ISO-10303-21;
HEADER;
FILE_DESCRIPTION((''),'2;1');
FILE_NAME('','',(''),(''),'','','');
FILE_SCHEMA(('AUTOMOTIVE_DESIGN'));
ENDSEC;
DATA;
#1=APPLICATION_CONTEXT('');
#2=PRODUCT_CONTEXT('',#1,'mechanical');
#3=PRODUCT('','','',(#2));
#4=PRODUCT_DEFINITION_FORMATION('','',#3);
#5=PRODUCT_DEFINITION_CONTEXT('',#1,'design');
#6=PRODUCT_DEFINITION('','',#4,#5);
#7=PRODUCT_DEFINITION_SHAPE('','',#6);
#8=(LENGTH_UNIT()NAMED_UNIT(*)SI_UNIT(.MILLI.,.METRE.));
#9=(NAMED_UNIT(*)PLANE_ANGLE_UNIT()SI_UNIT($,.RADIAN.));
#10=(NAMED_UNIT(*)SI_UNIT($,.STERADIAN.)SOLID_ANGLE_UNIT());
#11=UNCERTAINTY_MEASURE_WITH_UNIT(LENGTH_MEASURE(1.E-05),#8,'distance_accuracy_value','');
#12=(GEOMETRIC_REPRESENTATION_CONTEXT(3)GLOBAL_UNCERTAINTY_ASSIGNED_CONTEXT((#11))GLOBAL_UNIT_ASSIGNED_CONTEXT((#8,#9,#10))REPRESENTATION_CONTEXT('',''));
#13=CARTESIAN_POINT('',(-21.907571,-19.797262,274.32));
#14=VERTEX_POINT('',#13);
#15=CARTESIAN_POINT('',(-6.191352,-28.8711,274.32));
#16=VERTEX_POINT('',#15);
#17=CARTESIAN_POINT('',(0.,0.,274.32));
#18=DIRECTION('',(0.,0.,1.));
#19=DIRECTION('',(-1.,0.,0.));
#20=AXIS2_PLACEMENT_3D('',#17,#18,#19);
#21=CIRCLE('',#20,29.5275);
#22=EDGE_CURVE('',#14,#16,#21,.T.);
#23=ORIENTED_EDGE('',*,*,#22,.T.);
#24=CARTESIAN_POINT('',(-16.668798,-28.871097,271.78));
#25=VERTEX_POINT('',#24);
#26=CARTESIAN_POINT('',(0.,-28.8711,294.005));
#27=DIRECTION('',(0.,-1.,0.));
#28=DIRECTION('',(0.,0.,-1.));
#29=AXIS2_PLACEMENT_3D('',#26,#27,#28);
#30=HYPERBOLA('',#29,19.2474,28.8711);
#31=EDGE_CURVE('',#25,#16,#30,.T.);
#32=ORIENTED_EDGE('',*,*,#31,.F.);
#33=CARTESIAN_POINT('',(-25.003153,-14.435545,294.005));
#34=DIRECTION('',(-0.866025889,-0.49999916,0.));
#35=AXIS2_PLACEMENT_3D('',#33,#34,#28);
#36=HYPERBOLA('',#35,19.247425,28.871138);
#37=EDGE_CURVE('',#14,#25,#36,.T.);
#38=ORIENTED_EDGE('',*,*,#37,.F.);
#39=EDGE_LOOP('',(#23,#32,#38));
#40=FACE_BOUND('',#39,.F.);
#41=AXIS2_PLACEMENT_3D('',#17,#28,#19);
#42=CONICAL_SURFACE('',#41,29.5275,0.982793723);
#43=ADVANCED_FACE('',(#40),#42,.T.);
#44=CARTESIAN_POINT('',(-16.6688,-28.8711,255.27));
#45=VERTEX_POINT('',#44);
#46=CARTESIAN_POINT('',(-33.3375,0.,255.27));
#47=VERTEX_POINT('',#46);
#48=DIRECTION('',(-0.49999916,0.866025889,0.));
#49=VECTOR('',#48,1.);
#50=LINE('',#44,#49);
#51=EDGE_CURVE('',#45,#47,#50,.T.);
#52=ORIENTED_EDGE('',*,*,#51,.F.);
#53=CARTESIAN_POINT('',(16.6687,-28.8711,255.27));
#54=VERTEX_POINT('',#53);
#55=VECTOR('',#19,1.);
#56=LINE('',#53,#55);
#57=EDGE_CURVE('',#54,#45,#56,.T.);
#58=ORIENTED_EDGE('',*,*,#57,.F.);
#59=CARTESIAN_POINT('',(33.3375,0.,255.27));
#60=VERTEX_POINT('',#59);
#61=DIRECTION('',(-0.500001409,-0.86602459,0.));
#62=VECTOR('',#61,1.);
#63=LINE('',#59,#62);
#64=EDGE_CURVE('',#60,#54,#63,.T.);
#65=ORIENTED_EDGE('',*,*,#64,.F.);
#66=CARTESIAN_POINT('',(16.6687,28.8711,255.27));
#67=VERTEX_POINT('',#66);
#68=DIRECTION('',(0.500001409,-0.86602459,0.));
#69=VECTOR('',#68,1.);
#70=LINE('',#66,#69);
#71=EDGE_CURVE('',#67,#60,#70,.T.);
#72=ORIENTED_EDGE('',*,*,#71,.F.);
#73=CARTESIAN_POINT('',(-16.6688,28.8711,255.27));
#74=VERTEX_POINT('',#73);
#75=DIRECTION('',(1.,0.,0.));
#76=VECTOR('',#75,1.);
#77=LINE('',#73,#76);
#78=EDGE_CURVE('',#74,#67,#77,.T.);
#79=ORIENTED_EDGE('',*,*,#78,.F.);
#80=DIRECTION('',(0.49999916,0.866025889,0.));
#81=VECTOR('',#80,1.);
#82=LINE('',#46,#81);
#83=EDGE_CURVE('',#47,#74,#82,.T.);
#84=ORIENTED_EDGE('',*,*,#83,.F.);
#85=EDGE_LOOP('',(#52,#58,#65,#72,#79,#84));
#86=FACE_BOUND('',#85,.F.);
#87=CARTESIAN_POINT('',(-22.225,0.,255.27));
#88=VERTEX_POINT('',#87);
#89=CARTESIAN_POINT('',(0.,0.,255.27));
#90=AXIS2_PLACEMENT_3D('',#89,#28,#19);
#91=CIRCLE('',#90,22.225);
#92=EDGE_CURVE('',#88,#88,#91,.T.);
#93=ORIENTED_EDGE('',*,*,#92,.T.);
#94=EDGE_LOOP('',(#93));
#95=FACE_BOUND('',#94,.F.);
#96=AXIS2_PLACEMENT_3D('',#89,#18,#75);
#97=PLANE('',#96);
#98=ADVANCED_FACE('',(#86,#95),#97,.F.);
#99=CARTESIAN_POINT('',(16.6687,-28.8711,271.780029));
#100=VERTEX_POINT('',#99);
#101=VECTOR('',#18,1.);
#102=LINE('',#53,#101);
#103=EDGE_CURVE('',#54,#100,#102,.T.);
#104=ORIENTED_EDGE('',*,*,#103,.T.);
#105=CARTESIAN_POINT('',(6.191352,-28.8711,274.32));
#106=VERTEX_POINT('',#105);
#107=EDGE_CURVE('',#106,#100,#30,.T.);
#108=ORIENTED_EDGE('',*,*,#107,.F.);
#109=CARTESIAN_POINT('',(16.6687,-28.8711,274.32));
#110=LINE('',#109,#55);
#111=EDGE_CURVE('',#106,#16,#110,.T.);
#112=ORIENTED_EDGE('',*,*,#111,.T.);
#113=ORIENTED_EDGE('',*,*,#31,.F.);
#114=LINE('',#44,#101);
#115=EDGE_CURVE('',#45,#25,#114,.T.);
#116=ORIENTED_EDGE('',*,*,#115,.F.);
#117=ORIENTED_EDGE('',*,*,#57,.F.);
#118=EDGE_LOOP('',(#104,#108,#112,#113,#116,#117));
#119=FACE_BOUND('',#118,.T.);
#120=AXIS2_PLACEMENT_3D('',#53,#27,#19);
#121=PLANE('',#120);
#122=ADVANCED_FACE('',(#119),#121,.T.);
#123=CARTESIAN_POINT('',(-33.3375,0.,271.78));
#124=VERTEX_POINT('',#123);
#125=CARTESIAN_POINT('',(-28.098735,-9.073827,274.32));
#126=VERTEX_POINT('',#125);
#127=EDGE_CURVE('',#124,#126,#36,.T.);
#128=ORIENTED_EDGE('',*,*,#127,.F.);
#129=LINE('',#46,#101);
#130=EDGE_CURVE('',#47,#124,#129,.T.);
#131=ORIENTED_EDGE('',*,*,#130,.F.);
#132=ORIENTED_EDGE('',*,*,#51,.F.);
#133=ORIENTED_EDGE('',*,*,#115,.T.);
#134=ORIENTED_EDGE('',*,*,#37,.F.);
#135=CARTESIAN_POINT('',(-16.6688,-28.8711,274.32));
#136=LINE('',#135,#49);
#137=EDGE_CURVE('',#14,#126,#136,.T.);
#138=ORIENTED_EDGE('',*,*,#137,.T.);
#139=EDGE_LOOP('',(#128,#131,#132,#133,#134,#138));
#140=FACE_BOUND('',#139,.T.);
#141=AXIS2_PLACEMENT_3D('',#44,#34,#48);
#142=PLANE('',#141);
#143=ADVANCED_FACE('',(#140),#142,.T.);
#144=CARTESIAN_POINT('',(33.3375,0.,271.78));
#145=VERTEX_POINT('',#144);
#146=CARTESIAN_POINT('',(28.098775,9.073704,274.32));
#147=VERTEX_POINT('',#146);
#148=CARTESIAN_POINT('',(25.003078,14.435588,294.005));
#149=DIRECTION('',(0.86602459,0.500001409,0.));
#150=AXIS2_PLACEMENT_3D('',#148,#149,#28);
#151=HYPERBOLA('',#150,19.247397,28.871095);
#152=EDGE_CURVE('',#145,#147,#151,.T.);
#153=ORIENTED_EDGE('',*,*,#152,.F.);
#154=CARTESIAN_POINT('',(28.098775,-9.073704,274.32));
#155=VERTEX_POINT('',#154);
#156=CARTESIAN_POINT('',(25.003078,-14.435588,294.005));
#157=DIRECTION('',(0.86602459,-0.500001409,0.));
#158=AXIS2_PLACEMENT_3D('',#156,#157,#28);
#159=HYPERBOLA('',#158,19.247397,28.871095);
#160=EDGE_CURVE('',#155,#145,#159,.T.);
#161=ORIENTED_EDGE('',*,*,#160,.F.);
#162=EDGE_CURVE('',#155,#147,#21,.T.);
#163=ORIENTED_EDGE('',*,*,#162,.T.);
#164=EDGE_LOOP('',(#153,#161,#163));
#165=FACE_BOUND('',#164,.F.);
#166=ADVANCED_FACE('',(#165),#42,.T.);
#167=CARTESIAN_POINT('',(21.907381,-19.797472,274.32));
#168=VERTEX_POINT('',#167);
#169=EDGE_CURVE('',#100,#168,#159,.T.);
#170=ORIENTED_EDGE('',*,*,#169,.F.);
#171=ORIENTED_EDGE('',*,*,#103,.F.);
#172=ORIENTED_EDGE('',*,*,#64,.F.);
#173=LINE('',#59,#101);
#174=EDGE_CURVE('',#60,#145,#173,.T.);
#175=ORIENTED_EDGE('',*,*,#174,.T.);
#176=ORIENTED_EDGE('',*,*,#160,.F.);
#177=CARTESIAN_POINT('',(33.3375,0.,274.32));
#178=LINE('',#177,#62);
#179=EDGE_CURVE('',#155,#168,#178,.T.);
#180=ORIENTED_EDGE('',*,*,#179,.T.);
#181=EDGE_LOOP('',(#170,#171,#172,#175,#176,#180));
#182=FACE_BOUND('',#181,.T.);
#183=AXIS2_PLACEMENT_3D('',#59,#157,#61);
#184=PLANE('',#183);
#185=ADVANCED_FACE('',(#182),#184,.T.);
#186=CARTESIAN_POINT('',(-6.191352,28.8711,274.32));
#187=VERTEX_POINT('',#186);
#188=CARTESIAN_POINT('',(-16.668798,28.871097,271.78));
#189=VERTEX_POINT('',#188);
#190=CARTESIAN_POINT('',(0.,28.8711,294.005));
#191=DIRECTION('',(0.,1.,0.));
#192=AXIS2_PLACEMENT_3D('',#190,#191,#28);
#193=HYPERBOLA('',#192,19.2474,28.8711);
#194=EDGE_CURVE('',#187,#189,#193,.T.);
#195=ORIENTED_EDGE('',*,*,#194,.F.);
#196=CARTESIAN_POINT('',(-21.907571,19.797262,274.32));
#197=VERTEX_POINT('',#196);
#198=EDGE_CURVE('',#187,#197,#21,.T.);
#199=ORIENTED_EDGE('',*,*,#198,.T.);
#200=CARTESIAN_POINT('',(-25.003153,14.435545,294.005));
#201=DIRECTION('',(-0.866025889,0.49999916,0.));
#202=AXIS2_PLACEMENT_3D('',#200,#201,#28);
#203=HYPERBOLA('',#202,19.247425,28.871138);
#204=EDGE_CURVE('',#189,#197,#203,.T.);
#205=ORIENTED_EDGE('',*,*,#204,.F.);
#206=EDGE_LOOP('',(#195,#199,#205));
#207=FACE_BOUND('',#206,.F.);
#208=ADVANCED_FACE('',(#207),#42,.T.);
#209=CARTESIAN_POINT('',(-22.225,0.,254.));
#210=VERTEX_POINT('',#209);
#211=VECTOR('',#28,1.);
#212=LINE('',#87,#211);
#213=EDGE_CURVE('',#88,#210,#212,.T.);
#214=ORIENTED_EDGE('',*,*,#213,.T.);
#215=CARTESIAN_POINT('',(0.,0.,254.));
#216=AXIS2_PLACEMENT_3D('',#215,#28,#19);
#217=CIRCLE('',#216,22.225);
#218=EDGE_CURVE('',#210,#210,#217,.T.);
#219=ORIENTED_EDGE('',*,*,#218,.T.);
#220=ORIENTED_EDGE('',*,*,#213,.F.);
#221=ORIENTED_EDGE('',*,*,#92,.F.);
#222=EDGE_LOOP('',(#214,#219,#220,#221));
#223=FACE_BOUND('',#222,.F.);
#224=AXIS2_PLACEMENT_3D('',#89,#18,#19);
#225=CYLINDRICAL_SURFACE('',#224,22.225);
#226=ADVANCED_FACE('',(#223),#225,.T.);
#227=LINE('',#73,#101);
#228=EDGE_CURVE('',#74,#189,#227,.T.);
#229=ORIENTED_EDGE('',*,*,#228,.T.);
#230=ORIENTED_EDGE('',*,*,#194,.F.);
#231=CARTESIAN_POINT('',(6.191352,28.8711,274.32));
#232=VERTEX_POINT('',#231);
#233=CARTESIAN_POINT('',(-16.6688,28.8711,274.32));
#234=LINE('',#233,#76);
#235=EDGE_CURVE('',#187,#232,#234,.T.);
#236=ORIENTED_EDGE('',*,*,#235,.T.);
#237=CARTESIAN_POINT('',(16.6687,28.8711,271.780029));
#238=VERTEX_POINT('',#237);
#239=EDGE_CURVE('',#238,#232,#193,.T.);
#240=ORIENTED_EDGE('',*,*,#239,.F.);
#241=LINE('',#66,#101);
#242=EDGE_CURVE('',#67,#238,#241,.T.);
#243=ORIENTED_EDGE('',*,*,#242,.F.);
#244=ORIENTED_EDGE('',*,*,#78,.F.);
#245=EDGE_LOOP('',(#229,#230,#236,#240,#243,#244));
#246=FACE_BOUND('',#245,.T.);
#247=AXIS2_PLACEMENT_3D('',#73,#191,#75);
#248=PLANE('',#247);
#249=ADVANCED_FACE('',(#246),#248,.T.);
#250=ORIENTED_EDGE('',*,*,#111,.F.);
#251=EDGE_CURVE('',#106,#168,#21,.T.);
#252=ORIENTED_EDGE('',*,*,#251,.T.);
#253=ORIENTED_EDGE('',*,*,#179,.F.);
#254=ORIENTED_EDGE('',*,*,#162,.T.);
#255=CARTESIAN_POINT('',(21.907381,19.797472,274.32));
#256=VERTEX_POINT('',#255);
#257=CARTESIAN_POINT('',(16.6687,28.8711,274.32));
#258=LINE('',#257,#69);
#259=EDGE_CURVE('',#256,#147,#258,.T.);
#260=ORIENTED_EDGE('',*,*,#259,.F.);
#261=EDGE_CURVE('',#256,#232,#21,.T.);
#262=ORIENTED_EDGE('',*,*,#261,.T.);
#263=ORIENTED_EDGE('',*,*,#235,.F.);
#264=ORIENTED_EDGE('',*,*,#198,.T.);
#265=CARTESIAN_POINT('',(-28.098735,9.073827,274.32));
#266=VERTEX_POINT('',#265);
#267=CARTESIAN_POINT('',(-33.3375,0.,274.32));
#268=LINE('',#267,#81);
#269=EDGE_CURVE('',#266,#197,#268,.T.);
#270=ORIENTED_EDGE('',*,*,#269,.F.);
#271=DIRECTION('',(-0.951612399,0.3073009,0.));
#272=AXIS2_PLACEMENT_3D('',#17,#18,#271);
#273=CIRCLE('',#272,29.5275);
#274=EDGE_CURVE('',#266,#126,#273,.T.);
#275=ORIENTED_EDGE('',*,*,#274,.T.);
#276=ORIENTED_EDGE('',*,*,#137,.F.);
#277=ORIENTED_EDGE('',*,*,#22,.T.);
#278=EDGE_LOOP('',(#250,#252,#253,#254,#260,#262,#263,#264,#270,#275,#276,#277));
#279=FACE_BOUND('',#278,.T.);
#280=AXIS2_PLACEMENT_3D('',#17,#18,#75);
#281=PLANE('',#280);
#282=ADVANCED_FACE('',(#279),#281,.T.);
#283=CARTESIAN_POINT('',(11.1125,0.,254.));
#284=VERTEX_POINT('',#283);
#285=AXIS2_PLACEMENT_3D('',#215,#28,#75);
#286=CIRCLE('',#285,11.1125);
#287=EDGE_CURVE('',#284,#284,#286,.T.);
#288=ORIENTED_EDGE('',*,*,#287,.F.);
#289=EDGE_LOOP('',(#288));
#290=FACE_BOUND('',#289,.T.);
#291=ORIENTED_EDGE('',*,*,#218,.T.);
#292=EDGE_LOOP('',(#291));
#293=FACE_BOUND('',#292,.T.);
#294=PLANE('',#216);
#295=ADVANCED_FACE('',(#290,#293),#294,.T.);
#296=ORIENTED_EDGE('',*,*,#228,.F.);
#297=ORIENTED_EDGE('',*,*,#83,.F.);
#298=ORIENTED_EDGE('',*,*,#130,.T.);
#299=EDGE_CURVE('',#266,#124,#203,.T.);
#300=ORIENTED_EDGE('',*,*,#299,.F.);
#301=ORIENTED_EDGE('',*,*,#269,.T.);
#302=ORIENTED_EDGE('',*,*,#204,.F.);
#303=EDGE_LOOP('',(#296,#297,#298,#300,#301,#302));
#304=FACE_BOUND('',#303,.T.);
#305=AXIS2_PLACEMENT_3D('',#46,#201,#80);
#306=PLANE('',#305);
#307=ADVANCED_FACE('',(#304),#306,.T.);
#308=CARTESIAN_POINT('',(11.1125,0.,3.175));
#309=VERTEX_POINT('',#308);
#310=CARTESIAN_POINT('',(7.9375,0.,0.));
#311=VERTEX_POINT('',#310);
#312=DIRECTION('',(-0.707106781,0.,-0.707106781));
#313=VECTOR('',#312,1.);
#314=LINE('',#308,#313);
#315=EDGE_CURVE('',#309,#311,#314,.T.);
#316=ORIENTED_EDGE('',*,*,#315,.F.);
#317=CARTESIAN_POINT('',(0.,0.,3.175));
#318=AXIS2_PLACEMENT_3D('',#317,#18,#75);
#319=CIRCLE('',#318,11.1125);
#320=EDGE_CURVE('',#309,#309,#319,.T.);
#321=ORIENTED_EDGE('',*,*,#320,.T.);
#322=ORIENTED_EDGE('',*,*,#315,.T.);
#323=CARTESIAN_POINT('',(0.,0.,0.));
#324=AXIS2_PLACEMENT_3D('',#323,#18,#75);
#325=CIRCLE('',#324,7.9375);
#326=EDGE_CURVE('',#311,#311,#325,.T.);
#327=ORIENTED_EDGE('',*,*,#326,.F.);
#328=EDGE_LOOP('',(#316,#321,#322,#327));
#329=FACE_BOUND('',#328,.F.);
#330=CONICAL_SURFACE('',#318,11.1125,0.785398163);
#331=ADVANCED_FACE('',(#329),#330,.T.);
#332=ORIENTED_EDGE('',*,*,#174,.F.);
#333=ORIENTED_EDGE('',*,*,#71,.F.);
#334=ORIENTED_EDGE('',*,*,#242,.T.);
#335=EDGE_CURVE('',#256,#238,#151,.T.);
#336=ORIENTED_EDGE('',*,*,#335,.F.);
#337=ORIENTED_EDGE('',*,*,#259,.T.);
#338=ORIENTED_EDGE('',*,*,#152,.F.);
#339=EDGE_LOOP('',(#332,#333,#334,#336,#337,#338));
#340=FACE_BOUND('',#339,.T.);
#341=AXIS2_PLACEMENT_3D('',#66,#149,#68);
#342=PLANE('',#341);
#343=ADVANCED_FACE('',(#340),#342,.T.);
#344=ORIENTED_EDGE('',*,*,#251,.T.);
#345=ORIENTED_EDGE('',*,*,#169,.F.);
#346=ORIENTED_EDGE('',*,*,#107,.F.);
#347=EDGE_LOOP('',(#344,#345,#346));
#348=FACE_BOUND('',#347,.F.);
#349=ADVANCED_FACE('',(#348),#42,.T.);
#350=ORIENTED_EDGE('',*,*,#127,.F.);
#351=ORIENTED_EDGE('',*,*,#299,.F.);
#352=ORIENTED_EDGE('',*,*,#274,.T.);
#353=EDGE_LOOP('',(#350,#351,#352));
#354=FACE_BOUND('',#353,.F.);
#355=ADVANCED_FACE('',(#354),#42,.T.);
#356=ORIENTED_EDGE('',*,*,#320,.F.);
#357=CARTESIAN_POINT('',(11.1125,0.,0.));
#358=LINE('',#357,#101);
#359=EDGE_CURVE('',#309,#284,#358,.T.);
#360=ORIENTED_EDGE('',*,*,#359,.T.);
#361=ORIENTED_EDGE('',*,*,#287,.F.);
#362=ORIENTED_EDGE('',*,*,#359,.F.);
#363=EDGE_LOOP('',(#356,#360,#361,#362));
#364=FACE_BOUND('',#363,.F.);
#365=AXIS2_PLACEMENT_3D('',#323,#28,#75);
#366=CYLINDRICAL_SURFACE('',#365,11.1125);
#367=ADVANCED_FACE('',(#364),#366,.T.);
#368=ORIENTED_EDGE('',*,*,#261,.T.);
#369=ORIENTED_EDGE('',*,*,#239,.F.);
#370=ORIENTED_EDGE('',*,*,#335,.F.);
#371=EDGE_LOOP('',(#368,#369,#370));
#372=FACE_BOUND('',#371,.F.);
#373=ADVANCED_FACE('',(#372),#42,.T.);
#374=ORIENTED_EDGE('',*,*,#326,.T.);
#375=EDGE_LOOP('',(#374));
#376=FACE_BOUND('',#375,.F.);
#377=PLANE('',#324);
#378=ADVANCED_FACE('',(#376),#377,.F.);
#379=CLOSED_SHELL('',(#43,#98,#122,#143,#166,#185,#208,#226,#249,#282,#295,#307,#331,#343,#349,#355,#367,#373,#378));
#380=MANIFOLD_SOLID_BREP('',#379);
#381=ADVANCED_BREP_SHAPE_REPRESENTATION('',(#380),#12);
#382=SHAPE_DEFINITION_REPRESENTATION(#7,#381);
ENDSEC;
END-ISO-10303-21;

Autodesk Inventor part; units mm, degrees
ref_plane "YZ Plane" through (0, 0, 0) normal (1, 0, 0) x (0, 1, 0)
ref_plane "XZ Plane" through (0, 0, 0) normal (0, 1, 0) x (-1, 0, 0)
ref_plane "XY Plane" through (0, 0, 0) normal (0, 0, 1) x (1, 0, 0)
sketch "Sketch1" plane through (0, 0, 0) normal (0, 0, 1) x (1, 0, 0)
  circle A0 centre (0, 0) radius 11.1125
  dimension "d0" = 22.225
extrude "Extrusion1" add sketch "Sketch1" along normal blind 255.27
sketch "Sketch2" plane through (0, 0, 255.27) normal (0, 0, 1) x (1, 0, 0)
  line L0 (16.6687, 28.8711) -> (33.3375, 0)
  line L1 (33.3375, 0) -> (16.6687, -28.8711)
  line L2 (16.6687, -28.8711) -> (-16.6688, -28.8711)
  line L3 (-16.6688, -28.8711) -> (-33.3375, 0)
  line L4 (-33.3375, 0) -> (-16.6688, 28.8711)
  line L5 (-16.6688, 28.8711) -> (16.6687, 28.8711)
  circle A0 centre (0, 0) radius 11.1125 construction
  dimension "d3" = 33.3375
  dimension "d6" = 22.225
extrude "Extrusion2" add sketch "Sketch2" along normal blind 19.05
sketch "Sketch3" plane through (0, 0, 0) normal (0, 1, 0) x (-1, 0, 0)
  line L0 (33.3375, 274.32) -> (16.6687, 274.32) projected
  line L1 (29.5275, 274.32) -> (33.3375, 271.78)
  line L2 (33.3375, 271.78) -> (33.3375, 274.32)
  line L3 (33.3375, 274.32) -> (29.5275, 274.32)
  line L4 (0, -55.626) -> (0, 333.756) projected
  point P0 (0, 0)
  dimension "d7" = 2.54
  dimension "d8" = 3.81
revolve "Revolution1" cut sketch "Sketch3" angle 360 about axis through (0, 0, -10) along (0, 0, 1)
sketch "Sketch4" plane through (0, 0, 255.27) normal (0, 0, -1) x (-1, 0, 0)
  circle A0 centre (0, 0) radius 22.225
  dimension "d10" = 44.45
extrude "Extrusion3" add sketch "Sketch4" along normal blind 1.27
chamfer "Chamfer1" distance 3.175 angle 45 1 edges at (-11.1125, 0, 0)
thread "Thread1" size "7/8-9 UNC" class "2A" standard "ANSI Unified Screw Threads" full length
equation "\"d3\" = 1.5 * d6"
properties part number "HexBoltAJB" material "Iron, Malleable"
